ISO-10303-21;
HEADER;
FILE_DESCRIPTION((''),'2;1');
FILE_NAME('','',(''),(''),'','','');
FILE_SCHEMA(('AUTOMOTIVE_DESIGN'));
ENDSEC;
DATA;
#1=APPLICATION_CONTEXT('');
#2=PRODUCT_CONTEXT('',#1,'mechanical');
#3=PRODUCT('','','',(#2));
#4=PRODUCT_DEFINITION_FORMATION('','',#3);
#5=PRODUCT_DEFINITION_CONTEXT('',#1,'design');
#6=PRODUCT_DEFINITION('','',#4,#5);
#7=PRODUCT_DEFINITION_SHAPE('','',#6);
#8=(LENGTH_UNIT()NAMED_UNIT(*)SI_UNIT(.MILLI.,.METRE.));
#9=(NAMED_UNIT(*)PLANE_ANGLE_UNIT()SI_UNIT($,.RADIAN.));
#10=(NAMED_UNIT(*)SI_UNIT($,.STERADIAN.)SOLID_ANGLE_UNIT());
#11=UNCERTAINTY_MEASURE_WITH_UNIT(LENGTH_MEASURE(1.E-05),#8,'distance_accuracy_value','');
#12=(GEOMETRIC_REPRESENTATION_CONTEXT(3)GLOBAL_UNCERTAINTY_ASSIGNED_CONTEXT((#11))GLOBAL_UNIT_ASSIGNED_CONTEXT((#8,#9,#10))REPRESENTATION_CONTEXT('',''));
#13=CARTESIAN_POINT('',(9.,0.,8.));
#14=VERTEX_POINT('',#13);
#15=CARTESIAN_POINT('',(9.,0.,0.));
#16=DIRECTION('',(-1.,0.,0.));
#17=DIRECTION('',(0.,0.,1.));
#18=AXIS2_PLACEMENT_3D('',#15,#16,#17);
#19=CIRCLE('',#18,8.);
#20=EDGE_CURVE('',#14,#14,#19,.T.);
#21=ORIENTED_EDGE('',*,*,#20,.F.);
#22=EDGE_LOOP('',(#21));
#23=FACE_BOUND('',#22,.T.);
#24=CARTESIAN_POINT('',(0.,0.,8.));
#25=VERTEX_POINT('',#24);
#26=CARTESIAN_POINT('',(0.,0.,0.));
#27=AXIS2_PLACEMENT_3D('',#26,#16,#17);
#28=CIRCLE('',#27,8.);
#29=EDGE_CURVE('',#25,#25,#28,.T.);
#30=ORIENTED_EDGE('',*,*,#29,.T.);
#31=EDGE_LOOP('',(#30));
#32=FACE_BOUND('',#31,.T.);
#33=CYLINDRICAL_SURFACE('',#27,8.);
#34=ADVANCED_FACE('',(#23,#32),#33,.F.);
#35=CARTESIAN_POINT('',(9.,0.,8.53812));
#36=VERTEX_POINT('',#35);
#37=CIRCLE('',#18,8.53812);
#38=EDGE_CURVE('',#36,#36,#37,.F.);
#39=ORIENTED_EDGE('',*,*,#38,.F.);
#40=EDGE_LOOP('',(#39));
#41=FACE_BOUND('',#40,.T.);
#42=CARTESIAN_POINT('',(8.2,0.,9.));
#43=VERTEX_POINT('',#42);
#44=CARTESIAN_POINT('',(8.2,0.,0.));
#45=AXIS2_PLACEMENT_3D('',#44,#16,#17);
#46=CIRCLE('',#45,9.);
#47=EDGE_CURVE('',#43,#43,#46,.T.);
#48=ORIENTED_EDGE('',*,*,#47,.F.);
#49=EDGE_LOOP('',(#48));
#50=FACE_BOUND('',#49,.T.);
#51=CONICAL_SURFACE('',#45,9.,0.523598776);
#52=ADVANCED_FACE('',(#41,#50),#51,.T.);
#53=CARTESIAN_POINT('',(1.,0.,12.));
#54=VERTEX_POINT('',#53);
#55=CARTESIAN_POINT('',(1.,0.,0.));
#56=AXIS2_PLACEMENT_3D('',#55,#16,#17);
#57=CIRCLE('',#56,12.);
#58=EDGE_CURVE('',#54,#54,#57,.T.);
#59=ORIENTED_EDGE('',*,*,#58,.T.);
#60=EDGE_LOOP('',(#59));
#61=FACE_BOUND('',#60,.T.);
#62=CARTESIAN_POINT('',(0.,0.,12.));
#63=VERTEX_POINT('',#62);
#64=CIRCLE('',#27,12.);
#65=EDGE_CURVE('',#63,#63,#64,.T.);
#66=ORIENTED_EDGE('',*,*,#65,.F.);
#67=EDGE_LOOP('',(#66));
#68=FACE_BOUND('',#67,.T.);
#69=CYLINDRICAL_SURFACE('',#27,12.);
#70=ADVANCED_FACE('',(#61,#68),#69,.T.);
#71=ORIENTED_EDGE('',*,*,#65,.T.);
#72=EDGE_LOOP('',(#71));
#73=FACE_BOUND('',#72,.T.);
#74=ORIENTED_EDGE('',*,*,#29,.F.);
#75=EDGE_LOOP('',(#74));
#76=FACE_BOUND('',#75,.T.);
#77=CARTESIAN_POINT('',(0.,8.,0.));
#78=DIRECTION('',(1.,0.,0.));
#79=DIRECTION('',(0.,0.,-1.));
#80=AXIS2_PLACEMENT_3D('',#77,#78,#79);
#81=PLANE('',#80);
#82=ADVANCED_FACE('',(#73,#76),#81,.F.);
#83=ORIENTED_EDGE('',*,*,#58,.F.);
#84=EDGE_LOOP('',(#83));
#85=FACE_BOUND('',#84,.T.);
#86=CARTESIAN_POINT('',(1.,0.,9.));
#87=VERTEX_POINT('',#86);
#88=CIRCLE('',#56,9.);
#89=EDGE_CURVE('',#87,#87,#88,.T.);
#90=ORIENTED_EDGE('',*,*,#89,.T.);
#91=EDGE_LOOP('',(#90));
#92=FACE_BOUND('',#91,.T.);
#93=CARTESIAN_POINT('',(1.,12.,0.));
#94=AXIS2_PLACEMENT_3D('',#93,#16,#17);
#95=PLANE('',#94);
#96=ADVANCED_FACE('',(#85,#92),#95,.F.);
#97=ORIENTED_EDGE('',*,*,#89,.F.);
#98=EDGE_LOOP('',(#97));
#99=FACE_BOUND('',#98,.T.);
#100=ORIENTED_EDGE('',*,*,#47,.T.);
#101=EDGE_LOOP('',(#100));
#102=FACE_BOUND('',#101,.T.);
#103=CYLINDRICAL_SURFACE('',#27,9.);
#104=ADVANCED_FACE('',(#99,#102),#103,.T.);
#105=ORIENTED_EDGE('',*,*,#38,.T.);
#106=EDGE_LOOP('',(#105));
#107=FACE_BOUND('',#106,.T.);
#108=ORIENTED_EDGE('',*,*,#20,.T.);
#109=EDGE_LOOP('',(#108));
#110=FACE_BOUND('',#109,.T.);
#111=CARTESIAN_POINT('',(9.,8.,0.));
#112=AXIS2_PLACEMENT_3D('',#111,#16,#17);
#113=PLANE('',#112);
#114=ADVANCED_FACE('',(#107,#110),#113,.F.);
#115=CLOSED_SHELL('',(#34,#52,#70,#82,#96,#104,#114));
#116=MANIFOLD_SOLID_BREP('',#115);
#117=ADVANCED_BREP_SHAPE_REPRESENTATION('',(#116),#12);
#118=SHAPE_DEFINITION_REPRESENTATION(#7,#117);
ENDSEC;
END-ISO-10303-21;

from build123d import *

# Parameters (mm, degrees)
SFAZOWANIE1_SIZE  = 0.8
SFAZOWANIE1_SIZE2 = 0.461880215


with BuildPart() as part:
    # Szkic1 → Obrót1 (revolve)
    with BuildSketch(Plane.XY):
        Polygon((0, 8), (9, 8), (9, 9), (1, 9), (1, 12), (0, 12), align=None)
    revolve(axis=Axis((0, 0, 0), (1, 0, 0)))

    # Sfazowanie1
    sfazowanie1_edges = [part.edges().sort_by_distance(p)[0] for p in [
        (9, -9, 0),
    ]]
    sfazowanie1_side = [part.faces().sort_by_distance(p)[0] for p in [
        (5, -9, 0),
    ]]
    chamfer(sfazowanie1_edges, length=SFAZOWANIE1_SIZE, length2=SFAZOWANIE1_SIZE2, reference=sfazowanie1_side[0])


solid = part.part
